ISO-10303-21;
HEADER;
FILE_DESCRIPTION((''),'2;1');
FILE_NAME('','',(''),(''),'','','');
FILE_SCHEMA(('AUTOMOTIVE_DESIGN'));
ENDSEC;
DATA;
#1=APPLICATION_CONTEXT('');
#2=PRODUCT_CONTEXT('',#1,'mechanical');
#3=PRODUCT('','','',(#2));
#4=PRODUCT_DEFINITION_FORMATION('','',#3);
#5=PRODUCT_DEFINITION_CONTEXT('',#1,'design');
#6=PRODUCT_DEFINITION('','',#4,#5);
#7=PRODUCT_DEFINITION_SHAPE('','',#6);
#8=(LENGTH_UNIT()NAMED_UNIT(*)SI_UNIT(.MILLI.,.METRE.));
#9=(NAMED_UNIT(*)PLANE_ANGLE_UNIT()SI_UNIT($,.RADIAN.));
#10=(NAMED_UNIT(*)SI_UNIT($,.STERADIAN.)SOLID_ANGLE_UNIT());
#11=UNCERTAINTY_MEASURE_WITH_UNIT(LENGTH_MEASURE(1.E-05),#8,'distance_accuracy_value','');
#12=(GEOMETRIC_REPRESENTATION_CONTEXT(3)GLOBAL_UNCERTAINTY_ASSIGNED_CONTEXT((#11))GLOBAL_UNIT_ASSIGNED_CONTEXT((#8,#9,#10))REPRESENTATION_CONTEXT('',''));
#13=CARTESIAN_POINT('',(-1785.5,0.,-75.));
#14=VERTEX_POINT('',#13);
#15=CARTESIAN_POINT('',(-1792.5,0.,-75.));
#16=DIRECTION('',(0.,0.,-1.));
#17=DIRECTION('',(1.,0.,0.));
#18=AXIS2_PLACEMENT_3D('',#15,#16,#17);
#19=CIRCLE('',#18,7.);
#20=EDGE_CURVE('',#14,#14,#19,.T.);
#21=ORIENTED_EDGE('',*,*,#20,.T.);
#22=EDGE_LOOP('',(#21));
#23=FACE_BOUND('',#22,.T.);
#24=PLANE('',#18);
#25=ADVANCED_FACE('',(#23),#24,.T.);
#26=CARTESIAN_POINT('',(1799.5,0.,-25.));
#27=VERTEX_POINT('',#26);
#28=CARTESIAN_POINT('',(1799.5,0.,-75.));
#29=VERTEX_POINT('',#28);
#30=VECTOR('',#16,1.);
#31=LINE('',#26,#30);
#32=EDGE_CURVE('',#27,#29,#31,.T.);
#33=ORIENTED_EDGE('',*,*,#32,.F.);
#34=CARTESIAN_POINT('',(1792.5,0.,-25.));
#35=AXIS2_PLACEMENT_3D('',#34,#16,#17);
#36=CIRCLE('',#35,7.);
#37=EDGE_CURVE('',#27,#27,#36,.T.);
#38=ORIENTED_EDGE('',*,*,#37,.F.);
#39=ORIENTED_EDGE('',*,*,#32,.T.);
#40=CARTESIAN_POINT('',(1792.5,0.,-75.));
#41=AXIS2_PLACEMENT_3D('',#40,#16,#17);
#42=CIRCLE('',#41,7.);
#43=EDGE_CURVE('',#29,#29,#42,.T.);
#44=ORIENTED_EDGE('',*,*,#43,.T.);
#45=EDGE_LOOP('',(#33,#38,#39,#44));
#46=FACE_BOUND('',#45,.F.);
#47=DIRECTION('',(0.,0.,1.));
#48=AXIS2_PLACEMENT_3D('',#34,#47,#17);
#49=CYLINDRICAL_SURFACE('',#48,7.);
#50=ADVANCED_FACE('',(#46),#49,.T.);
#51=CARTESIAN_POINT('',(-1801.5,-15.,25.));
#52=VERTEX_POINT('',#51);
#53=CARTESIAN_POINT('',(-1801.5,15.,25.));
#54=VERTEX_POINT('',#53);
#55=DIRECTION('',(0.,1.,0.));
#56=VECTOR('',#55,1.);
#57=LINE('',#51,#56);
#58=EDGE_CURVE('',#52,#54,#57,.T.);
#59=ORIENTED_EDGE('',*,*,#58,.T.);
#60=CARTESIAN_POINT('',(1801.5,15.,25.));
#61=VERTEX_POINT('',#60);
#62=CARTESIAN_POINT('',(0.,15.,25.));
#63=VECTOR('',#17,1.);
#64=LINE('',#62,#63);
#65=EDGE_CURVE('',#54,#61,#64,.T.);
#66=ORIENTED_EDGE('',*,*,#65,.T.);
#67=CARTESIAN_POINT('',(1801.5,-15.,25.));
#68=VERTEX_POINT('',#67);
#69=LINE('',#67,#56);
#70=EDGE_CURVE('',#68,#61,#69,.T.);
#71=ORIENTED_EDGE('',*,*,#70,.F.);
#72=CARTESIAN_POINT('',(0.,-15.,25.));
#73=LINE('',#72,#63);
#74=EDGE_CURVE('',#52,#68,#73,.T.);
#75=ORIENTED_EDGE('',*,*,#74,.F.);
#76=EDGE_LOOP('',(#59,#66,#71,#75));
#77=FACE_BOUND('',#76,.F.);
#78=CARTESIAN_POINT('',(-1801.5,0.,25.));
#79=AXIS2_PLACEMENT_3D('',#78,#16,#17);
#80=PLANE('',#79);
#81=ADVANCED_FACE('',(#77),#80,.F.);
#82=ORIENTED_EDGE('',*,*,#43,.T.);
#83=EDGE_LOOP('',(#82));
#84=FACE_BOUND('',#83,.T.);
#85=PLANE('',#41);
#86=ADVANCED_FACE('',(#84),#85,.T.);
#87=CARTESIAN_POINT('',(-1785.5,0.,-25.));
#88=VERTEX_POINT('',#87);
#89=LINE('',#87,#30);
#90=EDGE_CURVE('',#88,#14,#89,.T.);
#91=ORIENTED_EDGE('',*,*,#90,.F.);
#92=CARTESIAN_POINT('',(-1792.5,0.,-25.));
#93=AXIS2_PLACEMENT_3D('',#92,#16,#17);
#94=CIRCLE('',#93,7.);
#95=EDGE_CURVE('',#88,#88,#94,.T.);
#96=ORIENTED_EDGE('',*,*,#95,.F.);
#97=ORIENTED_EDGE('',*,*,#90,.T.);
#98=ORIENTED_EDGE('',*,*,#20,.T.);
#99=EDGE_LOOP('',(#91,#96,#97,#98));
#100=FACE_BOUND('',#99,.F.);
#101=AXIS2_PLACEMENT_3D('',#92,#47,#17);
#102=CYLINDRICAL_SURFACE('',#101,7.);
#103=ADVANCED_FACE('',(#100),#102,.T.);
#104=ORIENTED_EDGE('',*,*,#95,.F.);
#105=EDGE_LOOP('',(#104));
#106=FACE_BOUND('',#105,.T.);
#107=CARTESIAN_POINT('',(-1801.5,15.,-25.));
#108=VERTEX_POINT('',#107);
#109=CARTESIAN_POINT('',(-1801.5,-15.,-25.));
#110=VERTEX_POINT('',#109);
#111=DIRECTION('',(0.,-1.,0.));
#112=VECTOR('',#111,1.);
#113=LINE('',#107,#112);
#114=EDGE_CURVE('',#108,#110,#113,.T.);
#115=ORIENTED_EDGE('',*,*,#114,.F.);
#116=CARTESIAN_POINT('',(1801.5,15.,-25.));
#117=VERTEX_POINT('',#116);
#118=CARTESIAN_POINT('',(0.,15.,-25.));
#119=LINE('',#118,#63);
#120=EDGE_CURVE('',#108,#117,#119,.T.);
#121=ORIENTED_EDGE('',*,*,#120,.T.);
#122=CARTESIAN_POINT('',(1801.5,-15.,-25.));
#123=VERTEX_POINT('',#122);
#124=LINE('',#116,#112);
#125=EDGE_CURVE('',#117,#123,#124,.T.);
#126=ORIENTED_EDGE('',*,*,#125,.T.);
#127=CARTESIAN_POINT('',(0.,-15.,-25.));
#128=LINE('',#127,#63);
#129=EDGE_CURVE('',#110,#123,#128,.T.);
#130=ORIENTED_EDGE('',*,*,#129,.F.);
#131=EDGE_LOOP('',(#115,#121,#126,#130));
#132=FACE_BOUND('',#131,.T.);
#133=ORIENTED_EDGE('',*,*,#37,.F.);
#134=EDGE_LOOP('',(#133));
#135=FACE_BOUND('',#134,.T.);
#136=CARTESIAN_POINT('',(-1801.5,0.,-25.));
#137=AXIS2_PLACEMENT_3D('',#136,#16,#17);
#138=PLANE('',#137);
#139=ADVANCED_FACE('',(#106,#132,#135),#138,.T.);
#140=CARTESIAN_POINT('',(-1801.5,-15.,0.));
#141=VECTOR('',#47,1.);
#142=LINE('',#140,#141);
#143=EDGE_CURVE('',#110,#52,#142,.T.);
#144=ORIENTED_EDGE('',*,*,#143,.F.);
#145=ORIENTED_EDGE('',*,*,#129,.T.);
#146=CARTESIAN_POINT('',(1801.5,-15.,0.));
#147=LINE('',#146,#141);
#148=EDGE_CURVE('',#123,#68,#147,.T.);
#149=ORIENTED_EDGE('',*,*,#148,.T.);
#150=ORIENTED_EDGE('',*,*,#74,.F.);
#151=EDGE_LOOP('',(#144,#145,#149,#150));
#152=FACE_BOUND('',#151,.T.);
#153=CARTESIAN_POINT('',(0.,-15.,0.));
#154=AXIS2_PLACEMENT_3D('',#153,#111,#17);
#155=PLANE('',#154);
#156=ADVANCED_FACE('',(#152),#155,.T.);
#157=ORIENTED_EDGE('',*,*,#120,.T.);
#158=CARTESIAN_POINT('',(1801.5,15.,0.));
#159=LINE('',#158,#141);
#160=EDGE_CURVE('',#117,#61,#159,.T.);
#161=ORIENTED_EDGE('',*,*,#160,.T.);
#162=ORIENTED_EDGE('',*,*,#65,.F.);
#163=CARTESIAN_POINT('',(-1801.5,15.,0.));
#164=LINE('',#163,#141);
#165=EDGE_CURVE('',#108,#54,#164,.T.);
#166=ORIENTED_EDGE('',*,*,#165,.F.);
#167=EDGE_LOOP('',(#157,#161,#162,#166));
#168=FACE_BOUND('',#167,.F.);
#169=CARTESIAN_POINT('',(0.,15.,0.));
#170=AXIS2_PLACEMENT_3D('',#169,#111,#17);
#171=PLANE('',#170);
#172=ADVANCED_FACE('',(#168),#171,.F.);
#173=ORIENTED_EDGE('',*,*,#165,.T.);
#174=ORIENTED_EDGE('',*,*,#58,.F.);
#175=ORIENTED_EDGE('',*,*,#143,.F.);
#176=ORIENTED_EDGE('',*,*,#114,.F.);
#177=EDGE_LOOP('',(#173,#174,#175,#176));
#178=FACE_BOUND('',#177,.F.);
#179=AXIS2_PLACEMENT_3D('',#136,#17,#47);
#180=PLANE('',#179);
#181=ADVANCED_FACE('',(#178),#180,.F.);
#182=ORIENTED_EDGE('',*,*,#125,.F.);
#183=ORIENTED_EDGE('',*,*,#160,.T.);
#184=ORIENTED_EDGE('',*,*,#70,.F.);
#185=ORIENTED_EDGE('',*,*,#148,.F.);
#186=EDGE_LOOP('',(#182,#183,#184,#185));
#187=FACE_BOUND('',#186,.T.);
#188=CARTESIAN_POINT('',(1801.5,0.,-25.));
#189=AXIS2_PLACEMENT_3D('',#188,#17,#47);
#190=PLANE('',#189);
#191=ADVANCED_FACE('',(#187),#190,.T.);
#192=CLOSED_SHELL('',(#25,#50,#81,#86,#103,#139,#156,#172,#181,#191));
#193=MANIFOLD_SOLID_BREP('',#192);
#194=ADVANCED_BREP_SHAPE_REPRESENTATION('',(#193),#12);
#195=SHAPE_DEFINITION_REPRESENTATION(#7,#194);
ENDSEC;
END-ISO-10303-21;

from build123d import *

# Parameters (mm, degrees)
F0_W          = 3603
F0_H          = 50
F1_DEPTH      = 15
F1_DEPTH_BACK = 15
F3_DEPTH      = 50
F4_R          = 7
F5_DEPTH      = 50


with BuildPart() as f1:
    # F0 (on Front) → F1 (new body, two sides)
    with BuildSketch(Plane.XZ) as f1_sk:
        Rectangle(F0_W, F0_H)
    extrude(amount=F1_DEPTH)
    extrude(f1_sk.sketch, amount=-F1_DEPTH_BACK)

    # F2 (on face) → F3 (join)
    with BuildSketch(Plane(origin=(0, 0, -25), x_dir=(1, 0, 0), z_dir=(0, 0, -1))):
        with BuildLine():
            ThreePointArc((-1799.5, 0), (-1792.5, -7), (-1785.5, 0))
            ThreePointArc((-1785.5, 0), (-1792.5, 7), (-1799.5, 0))
        make_face()
    extrude(amount=F3_DEPTH)

    # F4 (on face) → F5 (join)
    with BuildSketch(Plane(origin=(0, 0, -25), x_dir=(1, 0, 0), z_dir=(0, 0, -1))):
        with Locations((1792.5, 0)):
            Circle(F4_R)
    extrude(amount=F5_DEPTH)


solid = f1.part
